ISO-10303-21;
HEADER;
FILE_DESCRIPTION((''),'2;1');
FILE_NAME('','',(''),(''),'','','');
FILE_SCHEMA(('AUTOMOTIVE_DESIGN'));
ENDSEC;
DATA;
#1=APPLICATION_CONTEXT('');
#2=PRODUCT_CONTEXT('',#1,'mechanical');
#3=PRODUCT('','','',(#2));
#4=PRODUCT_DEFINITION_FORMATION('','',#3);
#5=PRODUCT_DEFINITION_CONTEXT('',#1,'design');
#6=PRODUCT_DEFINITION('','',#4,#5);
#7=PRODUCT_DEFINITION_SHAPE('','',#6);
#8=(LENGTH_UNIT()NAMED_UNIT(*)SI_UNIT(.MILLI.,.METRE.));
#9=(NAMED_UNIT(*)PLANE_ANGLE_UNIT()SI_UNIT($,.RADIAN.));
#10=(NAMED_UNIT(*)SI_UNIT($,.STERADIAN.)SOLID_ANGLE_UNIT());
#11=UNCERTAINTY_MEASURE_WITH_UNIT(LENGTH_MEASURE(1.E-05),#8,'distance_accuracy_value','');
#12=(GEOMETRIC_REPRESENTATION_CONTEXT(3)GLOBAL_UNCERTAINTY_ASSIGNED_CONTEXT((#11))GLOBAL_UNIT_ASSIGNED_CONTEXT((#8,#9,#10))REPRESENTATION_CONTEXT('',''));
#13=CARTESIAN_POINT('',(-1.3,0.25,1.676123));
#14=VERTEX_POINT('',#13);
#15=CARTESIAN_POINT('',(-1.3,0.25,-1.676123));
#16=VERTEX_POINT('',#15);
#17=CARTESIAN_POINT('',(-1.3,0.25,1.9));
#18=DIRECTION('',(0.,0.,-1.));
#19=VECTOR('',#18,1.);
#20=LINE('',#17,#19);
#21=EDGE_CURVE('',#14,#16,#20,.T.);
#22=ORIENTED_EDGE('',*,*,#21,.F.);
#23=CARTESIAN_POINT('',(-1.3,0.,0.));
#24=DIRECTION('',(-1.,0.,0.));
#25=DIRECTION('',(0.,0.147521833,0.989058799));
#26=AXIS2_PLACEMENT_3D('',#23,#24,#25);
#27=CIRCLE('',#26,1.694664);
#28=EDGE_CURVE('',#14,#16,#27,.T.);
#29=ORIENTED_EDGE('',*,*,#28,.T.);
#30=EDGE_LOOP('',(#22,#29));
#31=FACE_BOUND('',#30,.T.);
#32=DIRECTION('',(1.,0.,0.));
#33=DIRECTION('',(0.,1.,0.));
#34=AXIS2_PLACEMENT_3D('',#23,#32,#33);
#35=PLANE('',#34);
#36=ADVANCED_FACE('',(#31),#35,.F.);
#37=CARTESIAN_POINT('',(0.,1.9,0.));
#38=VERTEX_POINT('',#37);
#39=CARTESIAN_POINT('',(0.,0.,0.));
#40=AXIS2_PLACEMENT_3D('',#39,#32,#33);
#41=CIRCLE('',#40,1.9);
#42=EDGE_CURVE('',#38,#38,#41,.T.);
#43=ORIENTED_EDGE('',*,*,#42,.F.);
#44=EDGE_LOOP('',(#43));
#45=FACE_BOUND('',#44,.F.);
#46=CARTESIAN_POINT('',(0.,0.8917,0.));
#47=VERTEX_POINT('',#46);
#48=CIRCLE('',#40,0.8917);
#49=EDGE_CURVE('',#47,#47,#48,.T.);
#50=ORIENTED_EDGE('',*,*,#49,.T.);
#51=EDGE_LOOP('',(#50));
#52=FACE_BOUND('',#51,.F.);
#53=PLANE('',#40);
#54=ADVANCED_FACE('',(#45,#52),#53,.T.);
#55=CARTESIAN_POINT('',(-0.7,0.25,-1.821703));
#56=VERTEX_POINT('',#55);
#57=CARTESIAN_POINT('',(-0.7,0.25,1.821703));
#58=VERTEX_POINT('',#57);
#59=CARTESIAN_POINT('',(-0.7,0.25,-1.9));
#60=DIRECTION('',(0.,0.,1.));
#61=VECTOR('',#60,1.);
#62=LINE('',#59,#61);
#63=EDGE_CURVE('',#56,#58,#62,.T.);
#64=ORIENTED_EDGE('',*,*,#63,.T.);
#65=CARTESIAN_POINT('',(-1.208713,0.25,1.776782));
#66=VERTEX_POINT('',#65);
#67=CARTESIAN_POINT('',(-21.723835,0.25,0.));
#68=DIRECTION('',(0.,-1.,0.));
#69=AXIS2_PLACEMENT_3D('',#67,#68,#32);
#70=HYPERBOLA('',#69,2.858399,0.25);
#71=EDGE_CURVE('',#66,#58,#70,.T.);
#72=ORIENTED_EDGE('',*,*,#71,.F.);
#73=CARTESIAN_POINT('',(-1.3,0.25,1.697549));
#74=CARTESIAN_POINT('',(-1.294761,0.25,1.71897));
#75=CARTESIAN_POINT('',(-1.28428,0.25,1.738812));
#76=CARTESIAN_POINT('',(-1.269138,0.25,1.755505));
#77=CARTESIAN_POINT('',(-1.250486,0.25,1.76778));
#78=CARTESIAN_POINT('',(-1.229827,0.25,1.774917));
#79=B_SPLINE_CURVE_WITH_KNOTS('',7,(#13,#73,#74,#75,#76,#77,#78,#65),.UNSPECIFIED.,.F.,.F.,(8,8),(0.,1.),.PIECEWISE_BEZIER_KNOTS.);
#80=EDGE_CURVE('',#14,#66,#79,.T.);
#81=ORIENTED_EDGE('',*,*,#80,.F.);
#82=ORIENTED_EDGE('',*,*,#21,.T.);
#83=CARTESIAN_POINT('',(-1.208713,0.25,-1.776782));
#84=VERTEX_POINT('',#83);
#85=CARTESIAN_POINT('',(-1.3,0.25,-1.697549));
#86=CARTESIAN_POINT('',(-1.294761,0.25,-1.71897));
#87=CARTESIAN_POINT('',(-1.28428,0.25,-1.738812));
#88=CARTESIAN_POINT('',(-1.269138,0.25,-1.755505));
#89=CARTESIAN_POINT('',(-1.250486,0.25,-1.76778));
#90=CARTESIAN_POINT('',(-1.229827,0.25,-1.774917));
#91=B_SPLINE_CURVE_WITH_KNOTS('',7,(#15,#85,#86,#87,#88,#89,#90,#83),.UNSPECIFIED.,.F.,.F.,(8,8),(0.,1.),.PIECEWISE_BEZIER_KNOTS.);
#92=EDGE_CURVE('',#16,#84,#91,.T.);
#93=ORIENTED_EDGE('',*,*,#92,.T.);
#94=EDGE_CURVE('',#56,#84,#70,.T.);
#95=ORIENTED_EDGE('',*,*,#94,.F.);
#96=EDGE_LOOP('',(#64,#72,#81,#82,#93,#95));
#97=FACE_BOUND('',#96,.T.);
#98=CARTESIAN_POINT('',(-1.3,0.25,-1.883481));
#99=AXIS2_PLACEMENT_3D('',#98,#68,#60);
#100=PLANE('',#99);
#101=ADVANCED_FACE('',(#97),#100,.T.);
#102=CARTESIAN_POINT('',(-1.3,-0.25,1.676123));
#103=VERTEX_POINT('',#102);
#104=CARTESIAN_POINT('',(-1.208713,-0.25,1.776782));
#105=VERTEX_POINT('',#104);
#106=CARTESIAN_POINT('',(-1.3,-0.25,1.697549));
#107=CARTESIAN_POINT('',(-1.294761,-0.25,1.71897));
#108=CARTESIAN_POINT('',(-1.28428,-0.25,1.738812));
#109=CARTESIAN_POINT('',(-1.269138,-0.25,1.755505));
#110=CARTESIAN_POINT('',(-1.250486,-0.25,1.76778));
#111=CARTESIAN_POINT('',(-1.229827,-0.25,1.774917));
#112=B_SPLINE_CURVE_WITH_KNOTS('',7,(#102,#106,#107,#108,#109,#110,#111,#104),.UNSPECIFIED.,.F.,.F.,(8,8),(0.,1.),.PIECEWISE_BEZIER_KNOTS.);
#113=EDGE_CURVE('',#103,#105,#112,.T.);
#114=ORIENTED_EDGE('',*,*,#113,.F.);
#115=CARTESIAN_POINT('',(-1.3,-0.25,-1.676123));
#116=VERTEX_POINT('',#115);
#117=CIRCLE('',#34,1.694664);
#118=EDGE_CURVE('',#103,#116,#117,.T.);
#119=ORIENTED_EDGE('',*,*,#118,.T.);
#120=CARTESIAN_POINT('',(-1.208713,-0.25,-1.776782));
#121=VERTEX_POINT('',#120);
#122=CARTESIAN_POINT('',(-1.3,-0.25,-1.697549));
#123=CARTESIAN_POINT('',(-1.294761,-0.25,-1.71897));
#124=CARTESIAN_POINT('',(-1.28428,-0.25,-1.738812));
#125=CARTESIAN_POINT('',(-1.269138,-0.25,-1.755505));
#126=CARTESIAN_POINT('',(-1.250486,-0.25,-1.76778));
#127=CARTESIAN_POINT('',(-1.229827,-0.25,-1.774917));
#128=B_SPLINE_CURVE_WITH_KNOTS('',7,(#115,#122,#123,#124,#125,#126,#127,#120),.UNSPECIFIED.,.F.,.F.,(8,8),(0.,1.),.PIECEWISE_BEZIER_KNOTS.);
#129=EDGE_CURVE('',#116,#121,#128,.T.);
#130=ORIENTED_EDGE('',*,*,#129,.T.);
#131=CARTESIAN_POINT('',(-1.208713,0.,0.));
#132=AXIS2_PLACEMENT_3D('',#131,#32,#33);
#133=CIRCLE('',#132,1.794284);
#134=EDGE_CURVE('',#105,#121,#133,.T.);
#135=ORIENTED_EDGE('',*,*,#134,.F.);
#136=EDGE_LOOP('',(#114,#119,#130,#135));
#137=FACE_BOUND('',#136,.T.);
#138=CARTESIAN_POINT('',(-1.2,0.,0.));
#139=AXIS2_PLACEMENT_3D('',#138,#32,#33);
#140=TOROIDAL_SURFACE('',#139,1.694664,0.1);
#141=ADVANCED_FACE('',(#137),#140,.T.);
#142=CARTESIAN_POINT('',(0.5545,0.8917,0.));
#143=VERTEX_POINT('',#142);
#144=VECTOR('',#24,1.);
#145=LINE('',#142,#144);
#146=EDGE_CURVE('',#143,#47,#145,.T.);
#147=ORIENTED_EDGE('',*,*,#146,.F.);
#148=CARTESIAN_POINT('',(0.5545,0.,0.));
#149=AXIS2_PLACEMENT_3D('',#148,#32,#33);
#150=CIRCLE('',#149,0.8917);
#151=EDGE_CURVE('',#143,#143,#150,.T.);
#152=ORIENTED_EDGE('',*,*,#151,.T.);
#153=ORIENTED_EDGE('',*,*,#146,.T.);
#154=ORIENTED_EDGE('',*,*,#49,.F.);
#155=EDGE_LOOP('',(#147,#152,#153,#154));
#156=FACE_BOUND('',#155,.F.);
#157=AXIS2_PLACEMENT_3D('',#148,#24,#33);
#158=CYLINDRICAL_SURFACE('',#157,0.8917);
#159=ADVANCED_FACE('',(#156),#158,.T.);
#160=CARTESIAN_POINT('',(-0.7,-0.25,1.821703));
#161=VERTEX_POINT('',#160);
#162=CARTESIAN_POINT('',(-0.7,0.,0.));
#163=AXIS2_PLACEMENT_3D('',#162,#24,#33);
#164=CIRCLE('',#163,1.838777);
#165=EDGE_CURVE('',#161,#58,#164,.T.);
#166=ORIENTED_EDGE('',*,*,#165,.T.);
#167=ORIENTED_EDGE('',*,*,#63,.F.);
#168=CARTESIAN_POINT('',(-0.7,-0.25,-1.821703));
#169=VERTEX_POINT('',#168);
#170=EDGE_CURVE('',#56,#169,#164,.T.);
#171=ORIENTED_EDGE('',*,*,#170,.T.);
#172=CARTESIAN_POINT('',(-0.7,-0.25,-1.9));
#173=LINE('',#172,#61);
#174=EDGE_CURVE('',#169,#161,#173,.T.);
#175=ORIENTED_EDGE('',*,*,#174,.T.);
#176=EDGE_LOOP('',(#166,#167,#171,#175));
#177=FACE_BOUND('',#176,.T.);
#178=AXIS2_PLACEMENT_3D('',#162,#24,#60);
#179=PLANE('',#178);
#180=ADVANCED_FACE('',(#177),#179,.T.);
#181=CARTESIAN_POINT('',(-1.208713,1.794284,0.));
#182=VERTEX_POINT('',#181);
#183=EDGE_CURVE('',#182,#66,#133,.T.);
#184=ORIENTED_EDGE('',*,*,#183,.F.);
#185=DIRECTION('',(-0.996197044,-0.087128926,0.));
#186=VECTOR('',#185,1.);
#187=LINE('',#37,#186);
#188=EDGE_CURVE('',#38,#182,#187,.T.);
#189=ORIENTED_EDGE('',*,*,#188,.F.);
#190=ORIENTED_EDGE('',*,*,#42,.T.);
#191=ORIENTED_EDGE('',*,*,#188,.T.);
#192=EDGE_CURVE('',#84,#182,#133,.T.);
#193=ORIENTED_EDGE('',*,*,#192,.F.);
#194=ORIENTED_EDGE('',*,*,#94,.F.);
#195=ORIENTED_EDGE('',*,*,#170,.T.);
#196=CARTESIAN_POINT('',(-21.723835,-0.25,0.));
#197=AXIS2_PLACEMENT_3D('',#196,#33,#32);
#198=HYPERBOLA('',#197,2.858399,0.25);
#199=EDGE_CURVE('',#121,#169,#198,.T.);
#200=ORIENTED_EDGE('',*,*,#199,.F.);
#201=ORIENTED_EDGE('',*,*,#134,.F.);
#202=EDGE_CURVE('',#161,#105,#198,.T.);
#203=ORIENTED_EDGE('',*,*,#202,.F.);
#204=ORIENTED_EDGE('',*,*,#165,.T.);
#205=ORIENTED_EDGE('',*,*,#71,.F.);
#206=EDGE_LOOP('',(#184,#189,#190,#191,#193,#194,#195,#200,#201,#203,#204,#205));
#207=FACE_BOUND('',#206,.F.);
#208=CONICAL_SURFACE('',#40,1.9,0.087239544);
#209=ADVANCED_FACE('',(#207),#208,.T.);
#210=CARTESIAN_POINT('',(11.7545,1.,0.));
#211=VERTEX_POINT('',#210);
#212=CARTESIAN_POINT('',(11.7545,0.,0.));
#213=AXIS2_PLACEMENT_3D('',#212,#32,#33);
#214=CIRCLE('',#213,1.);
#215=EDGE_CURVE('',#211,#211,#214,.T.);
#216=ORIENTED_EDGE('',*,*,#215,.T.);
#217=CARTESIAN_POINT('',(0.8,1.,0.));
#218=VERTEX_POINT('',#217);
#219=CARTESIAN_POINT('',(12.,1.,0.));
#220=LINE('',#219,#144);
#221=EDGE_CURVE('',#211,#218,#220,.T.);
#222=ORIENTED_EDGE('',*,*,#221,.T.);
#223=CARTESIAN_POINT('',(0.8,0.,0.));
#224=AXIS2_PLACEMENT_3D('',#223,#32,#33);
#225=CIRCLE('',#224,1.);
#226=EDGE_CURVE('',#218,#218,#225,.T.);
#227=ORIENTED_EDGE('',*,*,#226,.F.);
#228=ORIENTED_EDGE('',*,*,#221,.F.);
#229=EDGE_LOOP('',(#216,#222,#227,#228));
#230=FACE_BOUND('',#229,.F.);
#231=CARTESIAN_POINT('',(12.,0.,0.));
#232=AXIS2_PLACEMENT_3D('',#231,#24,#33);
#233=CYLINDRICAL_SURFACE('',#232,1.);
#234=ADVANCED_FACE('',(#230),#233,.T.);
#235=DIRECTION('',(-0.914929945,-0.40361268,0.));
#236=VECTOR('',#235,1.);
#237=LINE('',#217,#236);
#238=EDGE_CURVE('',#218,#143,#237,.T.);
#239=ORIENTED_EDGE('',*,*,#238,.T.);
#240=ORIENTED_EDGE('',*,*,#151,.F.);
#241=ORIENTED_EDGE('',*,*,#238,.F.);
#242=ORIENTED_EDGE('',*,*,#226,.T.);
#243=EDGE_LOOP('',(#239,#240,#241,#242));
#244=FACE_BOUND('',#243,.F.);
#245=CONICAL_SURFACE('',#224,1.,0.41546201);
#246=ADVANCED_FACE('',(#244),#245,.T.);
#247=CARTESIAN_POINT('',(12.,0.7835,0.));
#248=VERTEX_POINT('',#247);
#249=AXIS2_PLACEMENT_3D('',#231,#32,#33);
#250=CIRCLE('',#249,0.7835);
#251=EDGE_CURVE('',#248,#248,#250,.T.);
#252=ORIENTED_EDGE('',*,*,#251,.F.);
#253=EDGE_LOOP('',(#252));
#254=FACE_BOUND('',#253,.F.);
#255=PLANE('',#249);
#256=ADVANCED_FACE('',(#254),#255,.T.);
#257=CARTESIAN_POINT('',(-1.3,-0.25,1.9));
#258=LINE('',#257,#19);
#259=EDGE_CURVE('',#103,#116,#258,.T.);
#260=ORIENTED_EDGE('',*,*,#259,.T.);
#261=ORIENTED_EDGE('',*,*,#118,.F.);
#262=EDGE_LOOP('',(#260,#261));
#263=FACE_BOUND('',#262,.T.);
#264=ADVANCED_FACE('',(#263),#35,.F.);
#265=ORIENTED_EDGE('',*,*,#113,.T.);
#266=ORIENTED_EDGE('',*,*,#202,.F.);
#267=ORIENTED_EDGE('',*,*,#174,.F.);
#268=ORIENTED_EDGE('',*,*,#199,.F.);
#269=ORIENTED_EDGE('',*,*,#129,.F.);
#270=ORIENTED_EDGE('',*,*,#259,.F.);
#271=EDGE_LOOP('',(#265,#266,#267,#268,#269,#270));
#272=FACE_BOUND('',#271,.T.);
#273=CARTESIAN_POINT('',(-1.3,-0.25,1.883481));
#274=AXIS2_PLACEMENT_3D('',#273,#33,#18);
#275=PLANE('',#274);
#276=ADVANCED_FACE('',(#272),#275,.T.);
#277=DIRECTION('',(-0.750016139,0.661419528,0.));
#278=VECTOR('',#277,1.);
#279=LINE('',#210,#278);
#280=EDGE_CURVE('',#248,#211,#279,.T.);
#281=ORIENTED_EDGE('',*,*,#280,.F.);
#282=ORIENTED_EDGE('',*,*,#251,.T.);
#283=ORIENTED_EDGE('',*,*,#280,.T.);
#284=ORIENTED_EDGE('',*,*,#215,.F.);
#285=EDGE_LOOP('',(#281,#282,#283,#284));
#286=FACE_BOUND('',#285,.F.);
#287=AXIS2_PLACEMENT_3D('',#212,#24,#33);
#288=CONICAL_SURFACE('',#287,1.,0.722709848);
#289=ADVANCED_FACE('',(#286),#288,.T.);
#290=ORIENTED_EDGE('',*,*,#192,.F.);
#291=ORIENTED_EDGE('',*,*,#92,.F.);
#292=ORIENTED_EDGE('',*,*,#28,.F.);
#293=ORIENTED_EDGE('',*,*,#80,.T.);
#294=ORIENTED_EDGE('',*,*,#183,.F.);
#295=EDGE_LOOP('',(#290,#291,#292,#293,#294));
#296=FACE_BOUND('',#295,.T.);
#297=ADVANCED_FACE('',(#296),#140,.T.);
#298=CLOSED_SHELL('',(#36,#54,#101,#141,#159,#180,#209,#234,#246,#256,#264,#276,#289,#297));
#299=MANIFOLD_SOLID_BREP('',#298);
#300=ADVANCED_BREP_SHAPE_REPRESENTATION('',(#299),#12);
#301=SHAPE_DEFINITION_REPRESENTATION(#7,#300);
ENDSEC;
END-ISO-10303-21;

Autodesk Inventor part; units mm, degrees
ref_plane "YZ Plane" through (0, 0, 0) normal (1, 0, 0) x (0, 1, 0)
ref_plane "XZ Plane" through (0, 0, 0) normal (0, 1, 0) x (-1, 0, 0)
sketch "Skizze1" plane through (0, 0, 0) normal (0, 0, 1) x (1, 0, 0)
  line L0 (-1.3, 0) -> (12, 0)
  line L1 (12, 0) -> (12, 1)
  line L2 (12, 1) -> (0.8, 1)
  line L3 (0.8, 1) -> (0.5545, 0.8917)
  line L4 (0.5545, 0.8917) -> (0, 0.8917)
  line L5 (0, 0.8917) -> (0, 1.9)
  line L6 (-3.96, 0) -> (14.66, 0) projected
  line L7 (0, -0.38) -> (0, 2.28) projected
  line L8 (-1.3, 0) -> (-1.3, 1.7863)
  line L9 (0, 1.9) -> (-1.3, 1.7863)
  line L10 (0.8, 1) -> (0, 1) construction
  dimension "d0" = 12
  dimension "d1" = 11.2
  dimension "d2" = 0.2455
  dimension "d3" = 1.3
  dimension "d4" = 2
  dimension "d5" = 1.7835
  dimension "d9" = 3.8
  dimension "d10" = 5
revolve "Körper" add sketch "Skizze1" angle 360 about axis through (-1.3, 0, 0) along (1, 0, 0)
sketch "Skizze2" plane through (-1.3, 0, 0) normal (-1, 0, 0) x (0, 0, 1)
  circle A0 centre (0, 0) radius 1.9 projected
  line L0 (0, 0) -> (0, 1.7863) projected
  line L1 (-1.9, 0.25) -> (1.9, 0.25)
  line L2 (1.9, 0.25) -> (1.9, -0.25)
  line L3 (1.9, -0.25) -> (-1.9, -0.25)
  line L4 (-1.9, -0.25) -> (-1.9, 0.25)
  line L5 (-1.9, 0) -> (1.9, 0) construction
  line L6 (0, 0.25) -> (0, -0.25) construction
  dimension "d11" = 0.5
  dimension "d12" = 3.8
fillet "Rundung1" radius 0.1 1 edges at (-1.3, -1.7863, 0)
extrude "Loch" cut sketch "Skizze2" against normal blind 0.6 contours A0 L3 L1 | L2 L3 A0 | A0 L1 L2 | A0 L4 L1 | L3 L4 A0
thread "Gewinde" size "M2x0.4" class "6g" standard "ISO Metric profile" length 11.2
chamfer "Fase1" distance 0.2165 distance2 0.2455 1 edges at (12, -1, 0) measured on face at (12, 0.2495, 0.221)
ref_plane "Work Plane1" through (30.1625, 0, 0) normal (0, 0, -1) x (1, 0, 0)
equation "\"d11\" = SBR"
equation "\"d12\" = KOD"
equation "\"d14\" = RR"
equation "\"d19\" = STI"
equation "\"d15\" = GEL"
equation "\"d17\" = -0.5 * SPD + 0.5 * GD"
equation "\"d0\" = NLG"
equation "\"d1\" = GEL"
equation "\"d3\" = KOH"
equation "\"d4\" = GD"
equation "\"d5\" = BDM"
equation "\"d9\" = KOD"
equation "\"d10\" = KEWI"
equation "\"GD\" = 2"
equation "\"NLG\" = 12"
equation "\"GEL\" = 11.2"
equation "\"KOD\" = 3.8"
equation "\"KOH\" = 1.3"
equation "\"GAL\" = 0.61345 * PTC"
equation "\"SPD\" = 1.56699"
equation "\"BDM\" = 1.78349"
equation "\"GUL\" = 0.61345 * PTC"
equation "\"RR\" = 0.1"
equation "\"SBR\" = 0.5"
equation "\"STI\" = 0.6"
equation "\"KEWI\" = 5deg"
equation "\"PTC\" = 0.4"
equation "\"THREADDIA\" = 2"
equation "\"TOA\" = 30deg"
equation "\"NND\" = 2"
equation "\"GD1\" = THREADDIA - 1.2269 * PTC"
properties part number "DIN 84 - M2 x 12" material "Stahl, weich"
